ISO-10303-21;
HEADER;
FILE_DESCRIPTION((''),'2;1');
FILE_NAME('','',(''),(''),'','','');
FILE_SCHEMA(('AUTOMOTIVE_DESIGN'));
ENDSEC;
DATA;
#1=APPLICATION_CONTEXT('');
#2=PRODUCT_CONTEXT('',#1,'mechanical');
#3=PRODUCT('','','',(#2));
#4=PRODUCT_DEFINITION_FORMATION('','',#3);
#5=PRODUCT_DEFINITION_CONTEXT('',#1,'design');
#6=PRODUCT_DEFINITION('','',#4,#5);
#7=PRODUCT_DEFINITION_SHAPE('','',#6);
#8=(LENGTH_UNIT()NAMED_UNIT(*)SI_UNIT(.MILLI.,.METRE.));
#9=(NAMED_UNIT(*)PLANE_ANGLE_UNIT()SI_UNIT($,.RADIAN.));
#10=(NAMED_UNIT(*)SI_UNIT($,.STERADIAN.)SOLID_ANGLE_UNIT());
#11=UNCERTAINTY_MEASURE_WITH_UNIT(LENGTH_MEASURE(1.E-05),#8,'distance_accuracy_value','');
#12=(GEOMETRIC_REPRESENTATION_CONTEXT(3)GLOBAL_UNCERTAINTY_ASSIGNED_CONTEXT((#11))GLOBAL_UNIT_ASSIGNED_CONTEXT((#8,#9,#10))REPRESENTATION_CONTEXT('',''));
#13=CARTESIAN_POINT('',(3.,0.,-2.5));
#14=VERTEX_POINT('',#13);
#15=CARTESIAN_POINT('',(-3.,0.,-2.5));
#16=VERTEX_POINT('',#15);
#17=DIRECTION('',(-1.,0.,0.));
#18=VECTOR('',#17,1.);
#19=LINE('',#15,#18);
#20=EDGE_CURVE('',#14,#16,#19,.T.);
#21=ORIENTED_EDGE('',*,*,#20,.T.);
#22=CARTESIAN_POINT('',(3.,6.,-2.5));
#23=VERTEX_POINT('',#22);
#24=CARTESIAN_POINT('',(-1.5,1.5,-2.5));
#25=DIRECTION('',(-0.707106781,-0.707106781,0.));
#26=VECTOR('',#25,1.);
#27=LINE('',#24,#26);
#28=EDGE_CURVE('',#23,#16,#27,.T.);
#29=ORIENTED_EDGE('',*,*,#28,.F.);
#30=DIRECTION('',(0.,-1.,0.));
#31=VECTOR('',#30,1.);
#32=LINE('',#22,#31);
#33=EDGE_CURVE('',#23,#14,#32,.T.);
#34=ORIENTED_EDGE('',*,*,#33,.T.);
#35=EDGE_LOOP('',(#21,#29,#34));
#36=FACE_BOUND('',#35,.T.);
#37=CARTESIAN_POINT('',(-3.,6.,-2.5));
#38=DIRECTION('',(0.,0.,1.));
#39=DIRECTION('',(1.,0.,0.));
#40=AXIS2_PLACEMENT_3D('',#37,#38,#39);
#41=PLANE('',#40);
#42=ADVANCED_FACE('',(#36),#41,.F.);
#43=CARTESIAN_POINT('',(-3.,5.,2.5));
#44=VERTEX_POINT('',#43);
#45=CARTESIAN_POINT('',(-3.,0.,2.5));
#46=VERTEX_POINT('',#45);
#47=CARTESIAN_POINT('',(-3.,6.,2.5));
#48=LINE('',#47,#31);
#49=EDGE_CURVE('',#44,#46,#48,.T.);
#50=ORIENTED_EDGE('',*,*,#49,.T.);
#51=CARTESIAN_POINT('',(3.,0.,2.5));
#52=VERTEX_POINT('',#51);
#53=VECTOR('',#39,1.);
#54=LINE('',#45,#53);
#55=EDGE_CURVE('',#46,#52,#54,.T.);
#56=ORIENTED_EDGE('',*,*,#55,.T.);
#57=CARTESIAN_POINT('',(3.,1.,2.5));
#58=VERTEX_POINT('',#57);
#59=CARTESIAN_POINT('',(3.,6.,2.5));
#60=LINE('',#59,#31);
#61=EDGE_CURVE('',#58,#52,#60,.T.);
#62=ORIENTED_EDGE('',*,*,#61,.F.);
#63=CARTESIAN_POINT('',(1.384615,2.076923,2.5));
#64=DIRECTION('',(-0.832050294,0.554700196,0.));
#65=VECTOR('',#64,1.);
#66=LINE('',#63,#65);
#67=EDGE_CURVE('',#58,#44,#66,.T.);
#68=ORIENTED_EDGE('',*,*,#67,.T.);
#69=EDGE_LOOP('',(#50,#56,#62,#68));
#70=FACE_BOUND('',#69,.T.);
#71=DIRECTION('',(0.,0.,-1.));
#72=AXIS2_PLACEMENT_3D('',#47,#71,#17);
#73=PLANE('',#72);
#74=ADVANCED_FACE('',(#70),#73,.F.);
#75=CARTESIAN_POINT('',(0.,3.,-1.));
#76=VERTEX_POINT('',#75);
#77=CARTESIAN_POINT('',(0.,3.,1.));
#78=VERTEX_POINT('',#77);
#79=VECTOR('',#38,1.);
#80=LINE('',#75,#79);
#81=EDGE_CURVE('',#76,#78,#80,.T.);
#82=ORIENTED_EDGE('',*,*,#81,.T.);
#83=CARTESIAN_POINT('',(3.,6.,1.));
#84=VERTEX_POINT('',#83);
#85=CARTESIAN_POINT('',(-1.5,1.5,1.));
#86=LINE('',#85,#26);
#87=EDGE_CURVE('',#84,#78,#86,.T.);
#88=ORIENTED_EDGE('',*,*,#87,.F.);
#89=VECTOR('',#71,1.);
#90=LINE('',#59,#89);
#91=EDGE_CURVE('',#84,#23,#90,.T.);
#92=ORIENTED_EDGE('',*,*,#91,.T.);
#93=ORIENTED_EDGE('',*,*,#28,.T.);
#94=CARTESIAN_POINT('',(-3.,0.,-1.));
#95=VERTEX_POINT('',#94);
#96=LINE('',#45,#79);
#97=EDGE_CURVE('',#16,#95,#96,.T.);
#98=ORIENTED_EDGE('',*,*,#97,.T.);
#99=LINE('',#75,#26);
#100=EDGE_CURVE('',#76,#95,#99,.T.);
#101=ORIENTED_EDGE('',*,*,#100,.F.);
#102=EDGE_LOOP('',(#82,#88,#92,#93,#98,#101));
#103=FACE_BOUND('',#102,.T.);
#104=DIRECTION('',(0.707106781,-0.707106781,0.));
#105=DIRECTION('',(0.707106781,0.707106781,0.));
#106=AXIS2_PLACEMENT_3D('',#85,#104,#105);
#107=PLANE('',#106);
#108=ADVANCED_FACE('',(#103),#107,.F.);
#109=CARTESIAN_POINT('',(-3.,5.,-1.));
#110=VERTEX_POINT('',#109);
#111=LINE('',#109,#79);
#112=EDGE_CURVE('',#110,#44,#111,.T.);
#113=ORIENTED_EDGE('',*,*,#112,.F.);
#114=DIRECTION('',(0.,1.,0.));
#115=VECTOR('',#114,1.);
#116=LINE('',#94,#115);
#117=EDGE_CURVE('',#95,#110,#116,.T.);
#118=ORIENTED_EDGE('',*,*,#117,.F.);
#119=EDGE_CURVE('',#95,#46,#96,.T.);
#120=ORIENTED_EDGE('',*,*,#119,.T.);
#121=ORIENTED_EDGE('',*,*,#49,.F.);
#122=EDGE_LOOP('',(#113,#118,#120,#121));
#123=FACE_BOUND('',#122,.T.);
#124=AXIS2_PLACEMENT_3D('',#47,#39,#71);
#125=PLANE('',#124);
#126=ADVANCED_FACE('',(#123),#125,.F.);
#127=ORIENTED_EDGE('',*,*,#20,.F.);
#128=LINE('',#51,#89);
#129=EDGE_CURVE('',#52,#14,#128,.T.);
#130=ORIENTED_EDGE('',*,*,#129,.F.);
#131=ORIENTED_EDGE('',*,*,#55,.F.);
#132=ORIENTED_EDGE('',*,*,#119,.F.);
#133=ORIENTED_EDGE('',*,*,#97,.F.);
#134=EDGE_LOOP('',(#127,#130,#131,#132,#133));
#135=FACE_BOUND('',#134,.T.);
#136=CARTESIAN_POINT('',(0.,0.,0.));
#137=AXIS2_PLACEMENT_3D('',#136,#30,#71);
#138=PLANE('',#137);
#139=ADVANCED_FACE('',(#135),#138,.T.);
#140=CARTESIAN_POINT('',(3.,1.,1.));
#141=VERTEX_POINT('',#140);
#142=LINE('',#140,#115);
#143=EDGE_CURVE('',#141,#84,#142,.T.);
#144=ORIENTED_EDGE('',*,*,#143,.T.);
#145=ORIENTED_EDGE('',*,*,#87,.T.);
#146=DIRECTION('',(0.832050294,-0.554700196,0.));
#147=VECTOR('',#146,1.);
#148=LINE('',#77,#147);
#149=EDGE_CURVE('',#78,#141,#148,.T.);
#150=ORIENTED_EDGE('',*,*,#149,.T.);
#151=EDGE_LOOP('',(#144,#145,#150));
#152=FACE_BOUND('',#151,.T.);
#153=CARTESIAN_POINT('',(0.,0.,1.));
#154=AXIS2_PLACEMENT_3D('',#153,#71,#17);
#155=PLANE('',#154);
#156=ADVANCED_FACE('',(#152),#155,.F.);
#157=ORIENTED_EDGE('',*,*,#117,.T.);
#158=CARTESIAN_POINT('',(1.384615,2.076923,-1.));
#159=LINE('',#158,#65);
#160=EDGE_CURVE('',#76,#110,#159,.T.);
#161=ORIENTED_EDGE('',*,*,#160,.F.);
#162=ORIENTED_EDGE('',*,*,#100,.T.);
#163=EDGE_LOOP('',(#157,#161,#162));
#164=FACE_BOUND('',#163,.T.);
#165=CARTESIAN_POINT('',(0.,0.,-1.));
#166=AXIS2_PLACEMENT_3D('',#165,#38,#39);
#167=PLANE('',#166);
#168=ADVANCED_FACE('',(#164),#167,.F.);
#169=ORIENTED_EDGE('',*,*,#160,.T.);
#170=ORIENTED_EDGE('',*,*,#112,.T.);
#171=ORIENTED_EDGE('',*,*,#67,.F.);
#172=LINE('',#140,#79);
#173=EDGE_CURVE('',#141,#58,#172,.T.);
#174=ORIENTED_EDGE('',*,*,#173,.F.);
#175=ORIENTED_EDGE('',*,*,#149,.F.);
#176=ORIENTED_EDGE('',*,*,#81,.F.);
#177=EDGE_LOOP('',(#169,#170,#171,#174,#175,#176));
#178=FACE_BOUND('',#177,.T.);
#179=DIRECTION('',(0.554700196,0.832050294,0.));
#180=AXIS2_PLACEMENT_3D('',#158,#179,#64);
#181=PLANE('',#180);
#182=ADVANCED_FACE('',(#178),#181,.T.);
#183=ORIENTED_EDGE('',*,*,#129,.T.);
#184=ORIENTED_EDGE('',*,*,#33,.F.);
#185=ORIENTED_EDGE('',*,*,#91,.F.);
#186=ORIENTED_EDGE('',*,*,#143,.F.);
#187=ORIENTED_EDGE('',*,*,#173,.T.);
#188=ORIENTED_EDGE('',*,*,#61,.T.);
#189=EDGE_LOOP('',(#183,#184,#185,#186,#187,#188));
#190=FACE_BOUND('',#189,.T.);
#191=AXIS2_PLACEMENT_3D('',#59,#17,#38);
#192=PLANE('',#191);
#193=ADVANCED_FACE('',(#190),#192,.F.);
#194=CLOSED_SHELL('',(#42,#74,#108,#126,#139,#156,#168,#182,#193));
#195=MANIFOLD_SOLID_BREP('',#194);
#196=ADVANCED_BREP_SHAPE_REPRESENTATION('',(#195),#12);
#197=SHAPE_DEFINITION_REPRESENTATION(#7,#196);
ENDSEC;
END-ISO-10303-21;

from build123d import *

# Parameters (mm, degrees)
SKETCH1_W           = 6
SKETCH1_H           = 5
BOSS_EXTRUDE1_DEPTH = 6
CUT_EXTRUDE1_DEPTH  = 3.5
CUT_EXTRUDE2_DEPTH  = 1.5
CUT_EXTRUDE3_DEPTH  = 3.5
CUT_EXTRUDE4_DEPTH  = 1.5


with BuildPart() as part:
    # Sketch1 → Boss-Extrude1 (new body)
    with BuildSketch(Plane(origin=(0, 0, 0), x_dir=(1, 0, 0), z_dir=(0, 1, 0))):
        Rectangle(SKETCH1_W, SKETCH1_H)
    extrude(amount=BOSS_EXTRUDE1_DEPTH)

    # Sketch2 → Cut-Extrude1 (cut)
    with BuildSketch(Plane.XY.offset(2.5)):
        Polygon((-3, 5), (0, 3), (0, 6), (-3, 6), align=None)
    extrude(amount=-CUT_EXTRUDE1_DEPTH, mode=Mode.SUBTRACT)

    # Sketch4 → Cut-Extrude2 (cut)
    with BuildSketch(Plane.XY.offset(2.5)):
        Polygon((0, 3), (3, 1), (3, 6), (0, 6), align=None)
    extrude(amount=-CUT_EXTRUDE2_DEPTH, mode=Mode.SUBTRACT)

    # Sketch5 → Cut-Extrude3 (cut)
    with BuildSketch(Plane(origin=(0, 0, -2.5), x_dir=(-1, 0, 0), z_dir=(0, 0, -1))):
        Polygon((0, 6), (-3, 6), (0, 3), align=None)
    extrude(amount=-CUT_EXTRUDE3_DEPTH, mode=Mode.SUBTRACT)

    # Sketch6 → Cut-Extrude4 (cut)
    with BuildSketch(Plane(origin=(0, 0, -2.5), x_dir=(-1, 0, 0), z_dir=(0, 0, -1))):
        Polygon((0, 3), (3, 0), (3, 6), (0, 6), align=None)
    extrude(amount=-CUT_EXTRUDE4_DEPTH, mode=Mode.SUBTRACT)


solid = part.part
